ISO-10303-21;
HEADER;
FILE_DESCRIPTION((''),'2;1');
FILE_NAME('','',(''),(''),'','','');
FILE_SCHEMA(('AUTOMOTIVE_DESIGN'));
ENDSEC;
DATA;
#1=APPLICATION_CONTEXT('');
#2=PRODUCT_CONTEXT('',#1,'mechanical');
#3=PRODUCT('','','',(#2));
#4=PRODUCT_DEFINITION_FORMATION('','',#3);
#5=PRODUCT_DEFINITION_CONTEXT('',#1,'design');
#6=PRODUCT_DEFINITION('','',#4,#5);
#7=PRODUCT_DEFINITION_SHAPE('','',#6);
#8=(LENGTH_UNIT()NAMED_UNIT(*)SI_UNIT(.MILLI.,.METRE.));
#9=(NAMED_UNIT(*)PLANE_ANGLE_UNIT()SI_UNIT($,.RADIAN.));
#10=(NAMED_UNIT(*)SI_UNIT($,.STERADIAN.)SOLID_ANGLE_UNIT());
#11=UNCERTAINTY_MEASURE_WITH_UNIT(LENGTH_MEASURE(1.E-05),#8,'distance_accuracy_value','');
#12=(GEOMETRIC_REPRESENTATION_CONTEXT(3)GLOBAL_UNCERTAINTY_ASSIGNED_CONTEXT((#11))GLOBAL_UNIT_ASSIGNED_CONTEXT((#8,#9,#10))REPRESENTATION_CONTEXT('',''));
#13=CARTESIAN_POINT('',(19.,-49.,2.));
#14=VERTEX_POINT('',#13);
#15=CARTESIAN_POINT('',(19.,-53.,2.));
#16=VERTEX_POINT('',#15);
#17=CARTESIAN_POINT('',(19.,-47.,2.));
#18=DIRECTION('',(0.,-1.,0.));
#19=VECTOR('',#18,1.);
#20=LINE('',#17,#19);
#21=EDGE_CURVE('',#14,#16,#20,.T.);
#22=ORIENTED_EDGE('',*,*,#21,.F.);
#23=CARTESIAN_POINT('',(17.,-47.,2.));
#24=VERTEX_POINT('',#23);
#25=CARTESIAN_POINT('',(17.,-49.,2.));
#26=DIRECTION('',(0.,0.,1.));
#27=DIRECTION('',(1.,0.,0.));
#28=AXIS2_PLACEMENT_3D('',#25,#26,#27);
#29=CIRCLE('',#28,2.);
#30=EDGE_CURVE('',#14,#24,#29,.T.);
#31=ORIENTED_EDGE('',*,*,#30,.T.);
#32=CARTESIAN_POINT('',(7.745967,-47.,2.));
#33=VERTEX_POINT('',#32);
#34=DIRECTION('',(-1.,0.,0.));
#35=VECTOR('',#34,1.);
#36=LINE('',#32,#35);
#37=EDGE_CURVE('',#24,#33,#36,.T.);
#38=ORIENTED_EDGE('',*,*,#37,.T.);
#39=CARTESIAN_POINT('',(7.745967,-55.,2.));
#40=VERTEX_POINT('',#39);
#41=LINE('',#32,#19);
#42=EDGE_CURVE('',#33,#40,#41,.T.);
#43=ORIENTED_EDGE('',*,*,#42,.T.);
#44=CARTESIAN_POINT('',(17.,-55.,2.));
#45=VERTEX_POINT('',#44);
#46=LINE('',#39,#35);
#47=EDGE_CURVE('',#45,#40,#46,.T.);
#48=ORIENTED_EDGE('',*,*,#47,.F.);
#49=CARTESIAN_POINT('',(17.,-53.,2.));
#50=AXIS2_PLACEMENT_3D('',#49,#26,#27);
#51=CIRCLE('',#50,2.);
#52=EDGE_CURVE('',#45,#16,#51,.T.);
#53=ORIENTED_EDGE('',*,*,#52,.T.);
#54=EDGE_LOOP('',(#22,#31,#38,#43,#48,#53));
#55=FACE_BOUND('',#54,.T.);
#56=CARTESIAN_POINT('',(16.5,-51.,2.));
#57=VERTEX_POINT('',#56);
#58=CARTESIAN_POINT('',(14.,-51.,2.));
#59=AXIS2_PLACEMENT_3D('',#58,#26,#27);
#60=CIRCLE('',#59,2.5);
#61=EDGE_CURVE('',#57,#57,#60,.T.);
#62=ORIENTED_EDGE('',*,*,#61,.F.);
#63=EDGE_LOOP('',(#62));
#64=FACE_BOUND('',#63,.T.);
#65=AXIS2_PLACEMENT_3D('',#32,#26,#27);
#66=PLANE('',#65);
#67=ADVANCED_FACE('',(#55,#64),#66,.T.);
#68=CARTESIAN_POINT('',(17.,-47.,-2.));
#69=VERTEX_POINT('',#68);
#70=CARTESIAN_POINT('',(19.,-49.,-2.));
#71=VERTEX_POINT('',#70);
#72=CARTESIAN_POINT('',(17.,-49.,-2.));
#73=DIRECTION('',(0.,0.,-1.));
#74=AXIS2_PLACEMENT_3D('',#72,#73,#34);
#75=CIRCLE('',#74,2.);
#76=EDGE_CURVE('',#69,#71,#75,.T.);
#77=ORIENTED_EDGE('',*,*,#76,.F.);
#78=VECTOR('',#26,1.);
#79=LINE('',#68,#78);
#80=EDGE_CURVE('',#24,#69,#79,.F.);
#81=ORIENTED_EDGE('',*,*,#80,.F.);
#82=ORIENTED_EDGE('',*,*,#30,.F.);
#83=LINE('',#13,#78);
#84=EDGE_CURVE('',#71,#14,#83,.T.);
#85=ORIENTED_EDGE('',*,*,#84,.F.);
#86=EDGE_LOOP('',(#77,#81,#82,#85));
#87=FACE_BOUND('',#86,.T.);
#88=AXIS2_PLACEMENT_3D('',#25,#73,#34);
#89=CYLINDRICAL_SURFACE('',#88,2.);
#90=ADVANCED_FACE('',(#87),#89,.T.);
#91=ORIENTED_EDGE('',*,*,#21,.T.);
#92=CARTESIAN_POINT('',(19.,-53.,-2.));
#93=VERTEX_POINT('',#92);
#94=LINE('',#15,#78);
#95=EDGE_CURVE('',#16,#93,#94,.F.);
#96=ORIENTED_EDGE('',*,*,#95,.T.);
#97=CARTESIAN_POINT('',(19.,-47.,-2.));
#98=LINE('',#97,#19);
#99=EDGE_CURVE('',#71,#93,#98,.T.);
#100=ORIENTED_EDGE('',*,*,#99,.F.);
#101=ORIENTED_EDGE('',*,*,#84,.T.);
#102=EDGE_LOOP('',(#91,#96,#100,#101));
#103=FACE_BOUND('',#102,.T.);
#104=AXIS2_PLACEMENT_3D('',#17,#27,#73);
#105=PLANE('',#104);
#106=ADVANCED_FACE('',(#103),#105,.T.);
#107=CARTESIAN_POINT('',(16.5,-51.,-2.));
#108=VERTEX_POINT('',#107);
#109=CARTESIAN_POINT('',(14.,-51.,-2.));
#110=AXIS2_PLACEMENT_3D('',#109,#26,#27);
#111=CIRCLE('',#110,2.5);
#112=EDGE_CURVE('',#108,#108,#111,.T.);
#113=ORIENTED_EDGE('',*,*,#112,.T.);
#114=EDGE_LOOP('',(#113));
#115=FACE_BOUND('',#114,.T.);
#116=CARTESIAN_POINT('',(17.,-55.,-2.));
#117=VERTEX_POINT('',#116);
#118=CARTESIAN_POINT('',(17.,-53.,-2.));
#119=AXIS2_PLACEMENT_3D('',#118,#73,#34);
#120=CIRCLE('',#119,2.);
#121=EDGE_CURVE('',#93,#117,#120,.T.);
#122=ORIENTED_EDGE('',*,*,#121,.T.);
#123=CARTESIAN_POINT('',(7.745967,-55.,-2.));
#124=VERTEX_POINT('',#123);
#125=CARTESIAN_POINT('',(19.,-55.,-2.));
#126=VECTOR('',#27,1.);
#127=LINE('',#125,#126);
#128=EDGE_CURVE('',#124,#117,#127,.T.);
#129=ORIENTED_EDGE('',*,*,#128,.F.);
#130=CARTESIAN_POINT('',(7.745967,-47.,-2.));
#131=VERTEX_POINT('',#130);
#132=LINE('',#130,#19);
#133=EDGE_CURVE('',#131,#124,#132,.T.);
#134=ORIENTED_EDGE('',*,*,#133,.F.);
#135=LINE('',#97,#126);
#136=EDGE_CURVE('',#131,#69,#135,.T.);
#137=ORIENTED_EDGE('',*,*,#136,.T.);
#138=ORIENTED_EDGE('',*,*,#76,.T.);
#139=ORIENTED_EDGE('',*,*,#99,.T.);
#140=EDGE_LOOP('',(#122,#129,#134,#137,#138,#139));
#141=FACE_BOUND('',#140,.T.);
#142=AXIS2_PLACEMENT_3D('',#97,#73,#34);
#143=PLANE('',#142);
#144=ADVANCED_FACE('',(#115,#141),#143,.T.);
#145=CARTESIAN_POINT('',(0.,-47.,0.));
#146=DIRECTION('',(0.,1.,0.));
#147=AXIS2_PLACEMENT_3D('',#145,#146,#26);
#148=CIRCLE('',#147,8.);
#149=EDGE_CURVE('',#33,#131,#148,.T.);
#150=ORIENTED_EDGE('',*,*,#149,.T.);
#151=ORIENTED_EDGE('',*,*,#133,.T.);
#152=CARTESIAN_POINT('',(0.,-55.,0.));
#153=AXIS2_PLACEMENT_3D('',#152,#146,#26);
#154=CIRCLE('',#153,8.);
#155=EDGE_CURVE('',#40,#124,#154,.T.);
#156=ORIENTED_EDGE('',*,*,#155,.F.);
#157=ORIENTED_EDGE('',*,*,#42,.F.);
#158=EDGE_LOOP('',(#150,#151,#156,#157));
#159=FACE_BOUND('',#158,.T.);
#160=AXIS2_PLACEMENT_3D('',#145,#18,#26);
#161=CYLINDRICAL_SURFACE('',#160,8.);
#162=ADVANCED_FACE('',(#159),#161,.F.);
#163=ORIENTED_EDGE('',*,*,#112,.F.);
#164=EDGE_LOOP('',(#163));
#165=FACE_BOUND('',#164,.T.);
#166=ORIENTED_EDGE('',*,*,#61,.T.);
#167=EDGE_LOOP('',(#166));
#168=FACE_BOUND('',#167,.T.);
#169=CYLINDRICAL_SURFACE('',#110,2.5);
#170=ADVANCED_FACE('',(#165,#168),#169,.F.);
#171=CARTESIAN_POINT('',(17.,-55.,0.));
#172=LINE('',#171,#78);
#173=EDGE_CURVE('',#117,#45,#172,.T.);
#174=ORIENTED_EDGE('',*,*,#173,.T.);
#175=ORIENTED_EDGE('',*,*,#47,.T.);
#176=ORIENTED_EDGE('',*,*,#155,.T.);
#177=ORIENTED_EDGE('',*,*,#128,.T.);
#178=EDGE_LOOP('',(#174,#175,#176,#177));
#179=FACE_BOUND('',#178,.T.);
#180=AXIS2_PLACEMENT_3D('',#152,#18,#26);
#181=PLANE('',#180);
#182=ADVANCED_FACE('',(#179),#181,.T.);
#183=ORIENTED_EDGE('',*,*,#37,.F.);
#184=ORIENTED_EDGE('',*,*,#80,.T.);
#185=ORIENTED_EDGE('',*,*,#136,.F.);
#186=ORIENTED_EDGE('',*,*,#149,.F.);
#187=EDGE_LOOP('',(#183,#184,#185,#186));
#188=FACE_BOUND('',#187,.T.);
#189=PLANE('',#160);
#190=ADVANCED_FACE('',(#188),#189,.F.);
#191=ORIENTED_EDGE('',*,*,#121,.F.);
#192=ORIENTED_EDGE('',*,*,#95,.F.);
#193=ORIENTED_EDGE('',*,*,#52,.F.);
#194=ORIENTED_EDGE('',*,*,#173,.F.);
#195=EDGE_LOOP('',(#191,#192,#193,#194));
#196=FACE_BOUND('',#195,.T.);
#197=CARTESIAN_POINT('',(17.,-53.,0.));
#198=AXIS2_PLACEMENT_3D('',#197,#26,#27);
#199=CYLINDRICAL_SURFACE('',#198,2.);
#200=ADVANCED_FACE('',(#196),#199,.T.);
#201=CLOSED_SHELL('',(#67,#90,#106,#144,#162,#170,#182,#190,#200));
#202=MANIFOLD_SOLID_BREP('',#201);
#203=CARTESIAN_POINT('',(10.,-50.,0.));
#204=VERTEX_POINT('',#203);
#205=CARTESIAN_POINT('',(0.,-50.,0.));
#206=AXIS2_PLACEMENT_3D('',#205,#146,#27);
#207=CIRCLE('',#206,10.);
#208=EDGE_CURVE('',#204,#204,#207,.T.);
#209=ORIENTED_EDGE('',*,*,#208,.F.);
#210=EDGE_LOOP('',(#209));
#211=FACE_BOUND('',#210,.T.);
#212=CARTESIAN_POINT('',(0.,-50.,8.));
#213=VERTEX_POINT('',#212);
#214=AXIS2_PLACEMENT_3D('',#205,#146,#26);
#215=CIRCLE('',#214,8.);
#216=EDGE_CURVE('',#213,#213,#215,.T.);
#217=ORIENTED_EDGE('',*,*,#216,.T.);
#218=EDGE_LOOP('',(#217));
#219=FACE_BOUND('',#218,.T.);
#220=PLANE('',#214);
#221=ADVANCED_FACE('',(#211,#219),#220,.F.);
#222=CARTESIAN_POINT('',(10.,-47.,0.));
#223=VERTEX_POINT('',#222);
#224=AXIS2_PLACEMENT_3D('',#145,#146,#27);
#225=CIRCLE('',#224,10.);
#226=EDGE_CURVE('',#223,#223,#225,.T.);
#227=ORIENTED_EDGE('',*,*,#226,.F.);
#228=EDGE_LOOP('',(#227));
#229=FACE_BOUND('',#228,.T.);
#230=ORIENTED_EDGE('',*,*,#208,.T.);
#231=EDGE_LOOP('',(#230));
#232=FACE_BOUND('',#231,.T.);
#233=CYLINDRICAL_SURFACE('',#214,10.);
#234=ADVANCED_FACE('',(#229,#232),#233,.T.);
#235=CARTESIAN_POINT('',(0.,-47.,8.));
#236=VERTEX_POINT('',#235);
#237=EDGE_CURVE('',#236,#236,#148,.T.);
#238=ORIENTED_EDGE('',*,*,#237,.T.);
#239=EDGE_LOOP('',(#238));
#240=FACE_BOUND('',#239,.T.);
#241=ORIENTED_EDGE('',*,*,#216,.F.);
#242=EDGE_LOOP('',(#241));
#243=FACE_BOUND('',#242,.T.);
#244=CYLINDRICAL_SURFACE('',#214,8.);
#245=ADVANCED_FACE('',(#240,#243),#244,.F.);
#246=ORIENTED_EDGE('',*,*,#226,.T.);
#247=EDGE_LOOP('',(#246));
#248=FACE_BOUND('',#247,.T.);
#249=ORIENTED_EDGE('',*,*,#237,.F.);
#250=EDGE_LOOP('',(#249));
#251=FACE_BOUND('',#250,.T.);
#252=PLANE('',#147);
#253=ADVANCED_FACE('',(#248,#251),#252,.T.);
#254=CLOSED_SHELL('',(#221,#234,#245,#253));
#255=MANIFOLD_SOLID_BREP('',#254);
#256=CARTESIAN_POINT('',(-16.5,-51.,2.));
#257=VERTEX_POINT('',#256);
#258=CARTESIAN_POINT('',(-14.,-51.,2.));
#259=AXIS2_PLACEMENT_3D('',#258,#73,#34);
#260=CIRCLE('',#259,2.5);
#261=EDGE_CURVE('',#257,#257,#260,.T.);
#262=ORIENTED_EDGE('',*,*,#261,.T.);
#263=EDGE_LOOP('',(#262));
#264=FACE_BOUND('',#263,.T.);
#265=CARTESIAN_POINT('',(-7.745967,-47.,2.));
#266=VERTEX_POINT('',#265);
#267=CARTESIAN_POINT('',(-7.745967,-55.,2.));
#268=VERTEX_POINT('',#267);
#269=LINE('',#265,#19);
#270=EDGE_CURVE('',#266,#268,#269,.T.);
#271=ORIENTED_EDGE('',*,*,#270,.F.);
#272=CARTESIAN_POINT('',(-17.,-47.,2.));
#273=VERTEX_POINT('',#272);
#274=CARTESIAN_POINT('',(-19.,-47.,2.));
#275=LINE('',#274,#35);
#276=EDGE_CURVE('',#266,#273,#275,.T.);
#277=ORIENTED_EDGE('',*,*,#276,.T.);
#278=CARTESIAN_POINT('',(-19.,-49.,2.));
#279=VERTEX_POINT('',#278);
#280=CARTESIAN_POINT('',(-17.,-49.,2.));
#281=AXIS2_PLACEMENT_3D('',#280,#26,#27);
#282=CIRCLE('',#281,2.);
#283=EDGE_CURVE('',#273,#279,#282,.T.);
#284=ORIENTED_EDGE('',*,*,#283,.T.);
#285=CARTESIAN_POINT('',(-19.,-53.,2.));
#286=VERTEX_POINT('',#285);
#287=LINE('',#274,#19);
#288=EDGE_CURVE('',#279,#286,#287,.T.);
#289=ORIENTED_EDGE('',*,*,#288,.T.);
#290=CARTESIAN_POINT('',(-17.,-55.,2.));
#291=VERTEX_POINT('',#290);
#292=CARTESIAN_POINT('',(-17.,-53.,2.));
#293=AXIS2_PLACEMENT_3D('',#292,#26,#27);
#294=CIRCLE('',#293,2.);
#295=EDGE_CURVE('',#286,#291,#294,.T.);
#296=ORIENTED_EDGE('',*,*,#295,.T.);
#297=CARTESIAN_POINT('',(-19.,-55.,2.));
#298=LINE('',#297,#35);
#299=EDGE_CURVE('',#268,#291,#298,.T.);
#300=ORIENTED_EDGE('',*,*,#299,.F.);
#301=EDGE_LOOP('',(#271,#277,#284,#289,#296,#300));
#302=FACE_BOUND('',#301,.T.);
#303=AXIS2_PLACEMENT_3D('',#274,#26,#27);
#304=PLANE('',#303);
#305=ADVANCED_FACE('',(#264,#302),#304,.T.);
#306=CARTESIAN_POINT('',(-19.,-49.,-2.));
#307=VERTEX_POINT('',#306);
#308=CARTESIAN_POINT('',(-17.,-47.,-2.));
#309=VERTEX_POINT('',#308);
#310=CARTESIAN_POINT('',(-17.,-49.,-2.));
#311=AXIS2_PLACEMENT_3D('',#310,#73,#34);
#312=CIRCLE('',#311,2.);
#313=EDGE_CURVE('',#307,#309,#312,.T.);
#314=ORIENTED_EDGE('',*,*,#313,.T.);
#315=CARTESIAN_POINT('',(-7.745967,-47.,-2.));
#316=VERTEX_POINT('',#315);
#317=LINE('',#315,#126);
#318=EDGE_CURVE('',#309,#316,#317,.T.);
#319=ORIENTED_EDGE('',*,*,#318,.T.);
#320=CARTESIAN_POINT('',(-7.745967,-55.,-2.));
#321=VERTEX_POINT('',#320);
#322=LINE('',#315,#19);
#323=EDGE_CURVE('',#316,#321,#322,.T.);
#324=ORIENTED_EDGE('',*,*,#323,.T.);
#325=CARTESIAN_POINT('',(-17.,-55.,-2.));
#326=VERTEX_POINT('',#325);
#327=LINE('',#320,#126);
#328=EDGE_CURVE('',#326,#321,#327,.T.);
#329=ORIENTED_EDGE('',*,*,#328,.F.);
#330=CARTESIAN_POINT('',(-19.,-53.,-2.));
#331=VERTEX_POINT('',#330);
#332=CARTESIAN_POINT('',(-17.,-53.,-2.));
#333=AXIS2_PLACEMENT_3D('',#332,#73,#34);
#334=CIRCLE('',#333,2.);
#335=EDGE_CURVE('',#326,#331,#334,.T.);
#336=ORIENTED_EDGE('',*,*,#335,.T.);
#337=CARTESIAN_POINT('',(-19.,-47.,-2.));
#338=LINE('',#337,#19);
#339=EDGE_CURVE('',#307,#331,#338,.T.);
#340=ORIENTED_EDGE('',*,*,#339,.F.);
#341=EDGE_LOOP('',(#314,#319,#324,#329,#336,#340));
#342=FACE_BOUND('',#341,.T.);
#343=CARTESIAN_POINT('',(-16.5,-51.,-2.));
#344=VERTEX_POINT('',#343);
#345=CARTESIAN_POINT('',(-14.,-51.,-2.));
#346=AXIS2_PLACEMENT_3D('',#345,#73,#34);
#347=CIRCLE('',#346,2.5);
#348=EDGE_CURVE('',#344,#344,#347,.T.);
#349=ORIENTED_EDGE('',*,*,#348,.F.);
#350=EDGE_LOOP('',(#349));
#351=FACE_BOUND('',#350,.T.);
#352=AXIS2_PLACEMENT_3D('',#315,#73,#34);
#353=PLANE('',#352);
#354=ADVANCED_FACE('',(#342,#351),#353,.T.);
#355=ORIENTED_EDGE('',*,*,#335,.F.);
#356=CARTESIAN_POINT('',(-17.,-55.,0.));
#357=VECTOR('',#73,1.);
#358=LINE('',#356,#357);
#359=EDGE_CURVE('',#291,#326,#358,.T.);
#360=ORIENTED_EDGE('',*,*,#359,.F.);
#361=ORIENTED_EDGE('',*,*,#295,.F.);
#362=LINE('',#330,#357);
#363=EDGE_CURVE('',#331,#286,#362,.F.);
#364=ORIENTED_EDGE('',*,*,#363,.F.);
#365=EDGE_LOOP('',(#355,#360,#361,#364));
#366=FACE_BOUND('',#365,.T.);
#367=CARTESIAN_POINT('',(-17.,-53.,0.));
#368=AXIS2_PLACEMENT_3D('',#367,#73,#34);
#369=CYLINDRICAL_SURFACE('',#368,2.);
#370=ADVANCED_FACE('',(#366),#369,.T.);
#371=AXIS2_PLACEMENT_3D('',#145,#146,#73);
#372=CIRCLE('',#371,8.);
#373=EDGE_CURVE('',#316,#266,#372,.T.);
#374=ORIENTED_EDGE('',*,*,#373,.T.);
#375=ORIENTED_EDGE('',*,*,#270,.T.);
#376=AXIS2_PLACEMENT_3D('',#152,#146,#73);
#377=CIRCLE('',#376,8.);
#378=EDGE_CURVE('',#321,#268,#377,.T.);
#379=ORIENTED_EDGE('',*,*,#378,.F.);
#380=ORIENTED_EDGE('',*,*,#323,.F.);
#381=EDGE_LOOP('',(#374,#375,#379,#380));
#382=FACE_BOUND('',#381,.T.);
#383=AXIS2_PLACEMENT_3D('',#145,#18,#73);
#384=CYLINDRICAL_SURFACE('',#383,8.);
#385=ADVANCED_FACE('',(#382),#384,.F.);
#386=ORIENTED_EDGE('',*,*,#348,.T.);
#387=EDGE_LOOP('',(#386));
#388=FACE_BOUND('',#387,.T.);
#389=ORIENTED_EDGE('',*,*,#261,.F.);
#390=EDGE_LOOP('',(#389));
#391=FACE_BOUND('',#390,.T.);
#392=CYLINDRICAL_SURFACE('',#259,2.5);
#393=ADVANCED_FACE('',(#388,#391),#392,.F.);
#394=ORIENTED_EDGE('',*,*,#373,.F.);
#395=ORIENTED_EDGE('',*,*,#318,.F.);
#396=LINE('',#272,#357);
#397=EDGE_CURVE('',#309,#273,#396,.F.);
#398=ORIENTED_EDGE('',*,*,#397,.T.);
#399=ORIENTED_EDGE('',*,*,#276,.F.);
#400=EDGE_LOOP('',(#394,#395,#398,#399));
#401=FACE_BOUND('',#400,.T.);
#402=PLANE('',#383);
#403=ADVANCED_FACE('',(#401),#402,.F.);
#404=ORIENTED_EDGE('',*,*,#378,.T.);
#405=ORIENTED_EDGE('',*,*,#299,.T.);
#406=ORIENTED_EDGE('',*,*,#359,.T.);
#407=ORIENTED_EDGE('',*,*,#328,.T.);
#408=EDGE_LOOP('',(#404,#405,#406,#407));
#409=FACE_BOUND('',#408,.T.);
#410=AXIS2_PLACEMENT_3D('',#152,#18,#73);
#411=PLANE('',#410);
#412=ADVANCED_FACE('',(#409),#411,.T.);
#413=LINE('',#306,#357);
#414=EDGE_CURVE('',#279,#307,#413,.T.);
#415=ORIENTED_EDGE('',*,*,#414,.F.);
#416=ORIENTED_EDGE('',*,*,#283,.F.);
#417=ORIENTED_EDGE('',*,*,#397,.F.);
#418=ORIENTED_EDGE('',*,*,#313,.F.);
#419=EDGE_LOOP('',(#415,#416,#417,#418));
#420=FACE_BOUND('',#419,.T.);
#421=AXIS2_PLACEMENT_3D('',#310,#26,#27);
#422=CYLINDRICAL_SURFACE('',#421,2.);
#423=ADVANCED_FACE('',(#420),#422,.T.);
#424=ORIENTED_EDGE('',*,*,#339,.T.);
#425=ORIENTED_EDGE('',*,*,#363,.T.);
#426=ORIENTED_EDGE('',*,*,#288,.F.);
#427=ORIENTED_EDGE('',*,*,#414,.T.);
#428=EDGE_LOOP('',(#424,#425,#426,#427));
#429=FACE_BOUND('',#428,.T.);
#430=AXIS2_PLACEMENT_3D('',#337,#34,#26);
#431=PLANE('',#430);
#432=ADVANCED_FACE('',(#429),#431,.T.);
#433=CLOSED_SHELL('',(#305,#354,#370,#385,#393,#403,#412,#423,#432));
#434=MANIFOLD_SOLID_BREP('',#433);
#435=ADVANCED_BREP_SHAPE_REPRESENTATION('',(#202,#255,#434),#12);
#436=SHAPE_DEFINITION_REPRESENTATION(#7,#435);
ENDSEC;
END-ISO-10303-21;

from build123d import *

# Parameters (mm, degrees)
EXTRUDE_1_DEPTH          = 8
SKETCH_2_R               = 2.5
CUT_EXTRUDE_1_DEPTH      = 5
FILLET_1_R               = 2
PATTERN_CIRCULAR_1_COUNT = 2
SKETCH_3_R               = 10
SKETCH_3_R_2             = 8
EXTRUDE_1_2_DEPTH        = 3


with BuildPart() as part:
    # 草图1 → Extrude 1 (new body)
    with BuildSketch(Plane(origin=(0, -55, 0), x_dir=(-1, 0, 0), z_dir=(0, -1, 0))):
        with BuildLine():
            Line((7.745966692, 2), (19, 2))
            Line((19, 2), (19, -2))
            Line((19, -2), (7.745966692, -2))
            ThreePointArc((7.745966692, -2), (8, 0), (7.745966692, 2))
        make_face()
    extrude(amount=-EXTRUDE_1_DEPTH)

    # 草图2 → 切除-拉伸1 (cut, through all)
    with BuildSketch(Plane(origin=(0, 0, -2), x_dir=(-1, 0, 0), z_dir=(0, 0, -1))):
        with Locations((14, -51)):
            Circle(SKETCH_2_R)
    extrude(amount=-CUT_EXTRUDE_1_DEPTH, mode=Mode.SUBTRACT)

    # 圆角1
    fillet_1_edges = [part.edges().sort_by_distance(p)[0] for p in [
        (-19, -47, 0),
        (-19, -55, 0),
    ]]
    fillet(fillet_1_edges, radius=FILLET_1_R)


with BuildPart() as pattern_circular_1_1:
    # 阵列(圆周)1: pattern copy
    add(part.part.rotate(Axis((0, 0, 0), (0, 1, 0)), 1 * 360 / PATTERN_CIRCULAR_1_COUNT))


with BuildPart() as body_3:
    # 草图3 → Extrude 1 2 (new body)
    with BuildSketch(Plane(origin=(0, -47, 0), x_dir=(1, 0, 0), z_dir=(0, 1, 0))):
        Circle(SKETCH_3_R)
        Circle(SKETCH_3_R_2, mode=Mode.SUBTRACT)
    extrude(amount=-EXTRUDE_1_2_DEPTH)


solid = Compound([part.part, pattern_circular_1_1.part, body_3.part])
